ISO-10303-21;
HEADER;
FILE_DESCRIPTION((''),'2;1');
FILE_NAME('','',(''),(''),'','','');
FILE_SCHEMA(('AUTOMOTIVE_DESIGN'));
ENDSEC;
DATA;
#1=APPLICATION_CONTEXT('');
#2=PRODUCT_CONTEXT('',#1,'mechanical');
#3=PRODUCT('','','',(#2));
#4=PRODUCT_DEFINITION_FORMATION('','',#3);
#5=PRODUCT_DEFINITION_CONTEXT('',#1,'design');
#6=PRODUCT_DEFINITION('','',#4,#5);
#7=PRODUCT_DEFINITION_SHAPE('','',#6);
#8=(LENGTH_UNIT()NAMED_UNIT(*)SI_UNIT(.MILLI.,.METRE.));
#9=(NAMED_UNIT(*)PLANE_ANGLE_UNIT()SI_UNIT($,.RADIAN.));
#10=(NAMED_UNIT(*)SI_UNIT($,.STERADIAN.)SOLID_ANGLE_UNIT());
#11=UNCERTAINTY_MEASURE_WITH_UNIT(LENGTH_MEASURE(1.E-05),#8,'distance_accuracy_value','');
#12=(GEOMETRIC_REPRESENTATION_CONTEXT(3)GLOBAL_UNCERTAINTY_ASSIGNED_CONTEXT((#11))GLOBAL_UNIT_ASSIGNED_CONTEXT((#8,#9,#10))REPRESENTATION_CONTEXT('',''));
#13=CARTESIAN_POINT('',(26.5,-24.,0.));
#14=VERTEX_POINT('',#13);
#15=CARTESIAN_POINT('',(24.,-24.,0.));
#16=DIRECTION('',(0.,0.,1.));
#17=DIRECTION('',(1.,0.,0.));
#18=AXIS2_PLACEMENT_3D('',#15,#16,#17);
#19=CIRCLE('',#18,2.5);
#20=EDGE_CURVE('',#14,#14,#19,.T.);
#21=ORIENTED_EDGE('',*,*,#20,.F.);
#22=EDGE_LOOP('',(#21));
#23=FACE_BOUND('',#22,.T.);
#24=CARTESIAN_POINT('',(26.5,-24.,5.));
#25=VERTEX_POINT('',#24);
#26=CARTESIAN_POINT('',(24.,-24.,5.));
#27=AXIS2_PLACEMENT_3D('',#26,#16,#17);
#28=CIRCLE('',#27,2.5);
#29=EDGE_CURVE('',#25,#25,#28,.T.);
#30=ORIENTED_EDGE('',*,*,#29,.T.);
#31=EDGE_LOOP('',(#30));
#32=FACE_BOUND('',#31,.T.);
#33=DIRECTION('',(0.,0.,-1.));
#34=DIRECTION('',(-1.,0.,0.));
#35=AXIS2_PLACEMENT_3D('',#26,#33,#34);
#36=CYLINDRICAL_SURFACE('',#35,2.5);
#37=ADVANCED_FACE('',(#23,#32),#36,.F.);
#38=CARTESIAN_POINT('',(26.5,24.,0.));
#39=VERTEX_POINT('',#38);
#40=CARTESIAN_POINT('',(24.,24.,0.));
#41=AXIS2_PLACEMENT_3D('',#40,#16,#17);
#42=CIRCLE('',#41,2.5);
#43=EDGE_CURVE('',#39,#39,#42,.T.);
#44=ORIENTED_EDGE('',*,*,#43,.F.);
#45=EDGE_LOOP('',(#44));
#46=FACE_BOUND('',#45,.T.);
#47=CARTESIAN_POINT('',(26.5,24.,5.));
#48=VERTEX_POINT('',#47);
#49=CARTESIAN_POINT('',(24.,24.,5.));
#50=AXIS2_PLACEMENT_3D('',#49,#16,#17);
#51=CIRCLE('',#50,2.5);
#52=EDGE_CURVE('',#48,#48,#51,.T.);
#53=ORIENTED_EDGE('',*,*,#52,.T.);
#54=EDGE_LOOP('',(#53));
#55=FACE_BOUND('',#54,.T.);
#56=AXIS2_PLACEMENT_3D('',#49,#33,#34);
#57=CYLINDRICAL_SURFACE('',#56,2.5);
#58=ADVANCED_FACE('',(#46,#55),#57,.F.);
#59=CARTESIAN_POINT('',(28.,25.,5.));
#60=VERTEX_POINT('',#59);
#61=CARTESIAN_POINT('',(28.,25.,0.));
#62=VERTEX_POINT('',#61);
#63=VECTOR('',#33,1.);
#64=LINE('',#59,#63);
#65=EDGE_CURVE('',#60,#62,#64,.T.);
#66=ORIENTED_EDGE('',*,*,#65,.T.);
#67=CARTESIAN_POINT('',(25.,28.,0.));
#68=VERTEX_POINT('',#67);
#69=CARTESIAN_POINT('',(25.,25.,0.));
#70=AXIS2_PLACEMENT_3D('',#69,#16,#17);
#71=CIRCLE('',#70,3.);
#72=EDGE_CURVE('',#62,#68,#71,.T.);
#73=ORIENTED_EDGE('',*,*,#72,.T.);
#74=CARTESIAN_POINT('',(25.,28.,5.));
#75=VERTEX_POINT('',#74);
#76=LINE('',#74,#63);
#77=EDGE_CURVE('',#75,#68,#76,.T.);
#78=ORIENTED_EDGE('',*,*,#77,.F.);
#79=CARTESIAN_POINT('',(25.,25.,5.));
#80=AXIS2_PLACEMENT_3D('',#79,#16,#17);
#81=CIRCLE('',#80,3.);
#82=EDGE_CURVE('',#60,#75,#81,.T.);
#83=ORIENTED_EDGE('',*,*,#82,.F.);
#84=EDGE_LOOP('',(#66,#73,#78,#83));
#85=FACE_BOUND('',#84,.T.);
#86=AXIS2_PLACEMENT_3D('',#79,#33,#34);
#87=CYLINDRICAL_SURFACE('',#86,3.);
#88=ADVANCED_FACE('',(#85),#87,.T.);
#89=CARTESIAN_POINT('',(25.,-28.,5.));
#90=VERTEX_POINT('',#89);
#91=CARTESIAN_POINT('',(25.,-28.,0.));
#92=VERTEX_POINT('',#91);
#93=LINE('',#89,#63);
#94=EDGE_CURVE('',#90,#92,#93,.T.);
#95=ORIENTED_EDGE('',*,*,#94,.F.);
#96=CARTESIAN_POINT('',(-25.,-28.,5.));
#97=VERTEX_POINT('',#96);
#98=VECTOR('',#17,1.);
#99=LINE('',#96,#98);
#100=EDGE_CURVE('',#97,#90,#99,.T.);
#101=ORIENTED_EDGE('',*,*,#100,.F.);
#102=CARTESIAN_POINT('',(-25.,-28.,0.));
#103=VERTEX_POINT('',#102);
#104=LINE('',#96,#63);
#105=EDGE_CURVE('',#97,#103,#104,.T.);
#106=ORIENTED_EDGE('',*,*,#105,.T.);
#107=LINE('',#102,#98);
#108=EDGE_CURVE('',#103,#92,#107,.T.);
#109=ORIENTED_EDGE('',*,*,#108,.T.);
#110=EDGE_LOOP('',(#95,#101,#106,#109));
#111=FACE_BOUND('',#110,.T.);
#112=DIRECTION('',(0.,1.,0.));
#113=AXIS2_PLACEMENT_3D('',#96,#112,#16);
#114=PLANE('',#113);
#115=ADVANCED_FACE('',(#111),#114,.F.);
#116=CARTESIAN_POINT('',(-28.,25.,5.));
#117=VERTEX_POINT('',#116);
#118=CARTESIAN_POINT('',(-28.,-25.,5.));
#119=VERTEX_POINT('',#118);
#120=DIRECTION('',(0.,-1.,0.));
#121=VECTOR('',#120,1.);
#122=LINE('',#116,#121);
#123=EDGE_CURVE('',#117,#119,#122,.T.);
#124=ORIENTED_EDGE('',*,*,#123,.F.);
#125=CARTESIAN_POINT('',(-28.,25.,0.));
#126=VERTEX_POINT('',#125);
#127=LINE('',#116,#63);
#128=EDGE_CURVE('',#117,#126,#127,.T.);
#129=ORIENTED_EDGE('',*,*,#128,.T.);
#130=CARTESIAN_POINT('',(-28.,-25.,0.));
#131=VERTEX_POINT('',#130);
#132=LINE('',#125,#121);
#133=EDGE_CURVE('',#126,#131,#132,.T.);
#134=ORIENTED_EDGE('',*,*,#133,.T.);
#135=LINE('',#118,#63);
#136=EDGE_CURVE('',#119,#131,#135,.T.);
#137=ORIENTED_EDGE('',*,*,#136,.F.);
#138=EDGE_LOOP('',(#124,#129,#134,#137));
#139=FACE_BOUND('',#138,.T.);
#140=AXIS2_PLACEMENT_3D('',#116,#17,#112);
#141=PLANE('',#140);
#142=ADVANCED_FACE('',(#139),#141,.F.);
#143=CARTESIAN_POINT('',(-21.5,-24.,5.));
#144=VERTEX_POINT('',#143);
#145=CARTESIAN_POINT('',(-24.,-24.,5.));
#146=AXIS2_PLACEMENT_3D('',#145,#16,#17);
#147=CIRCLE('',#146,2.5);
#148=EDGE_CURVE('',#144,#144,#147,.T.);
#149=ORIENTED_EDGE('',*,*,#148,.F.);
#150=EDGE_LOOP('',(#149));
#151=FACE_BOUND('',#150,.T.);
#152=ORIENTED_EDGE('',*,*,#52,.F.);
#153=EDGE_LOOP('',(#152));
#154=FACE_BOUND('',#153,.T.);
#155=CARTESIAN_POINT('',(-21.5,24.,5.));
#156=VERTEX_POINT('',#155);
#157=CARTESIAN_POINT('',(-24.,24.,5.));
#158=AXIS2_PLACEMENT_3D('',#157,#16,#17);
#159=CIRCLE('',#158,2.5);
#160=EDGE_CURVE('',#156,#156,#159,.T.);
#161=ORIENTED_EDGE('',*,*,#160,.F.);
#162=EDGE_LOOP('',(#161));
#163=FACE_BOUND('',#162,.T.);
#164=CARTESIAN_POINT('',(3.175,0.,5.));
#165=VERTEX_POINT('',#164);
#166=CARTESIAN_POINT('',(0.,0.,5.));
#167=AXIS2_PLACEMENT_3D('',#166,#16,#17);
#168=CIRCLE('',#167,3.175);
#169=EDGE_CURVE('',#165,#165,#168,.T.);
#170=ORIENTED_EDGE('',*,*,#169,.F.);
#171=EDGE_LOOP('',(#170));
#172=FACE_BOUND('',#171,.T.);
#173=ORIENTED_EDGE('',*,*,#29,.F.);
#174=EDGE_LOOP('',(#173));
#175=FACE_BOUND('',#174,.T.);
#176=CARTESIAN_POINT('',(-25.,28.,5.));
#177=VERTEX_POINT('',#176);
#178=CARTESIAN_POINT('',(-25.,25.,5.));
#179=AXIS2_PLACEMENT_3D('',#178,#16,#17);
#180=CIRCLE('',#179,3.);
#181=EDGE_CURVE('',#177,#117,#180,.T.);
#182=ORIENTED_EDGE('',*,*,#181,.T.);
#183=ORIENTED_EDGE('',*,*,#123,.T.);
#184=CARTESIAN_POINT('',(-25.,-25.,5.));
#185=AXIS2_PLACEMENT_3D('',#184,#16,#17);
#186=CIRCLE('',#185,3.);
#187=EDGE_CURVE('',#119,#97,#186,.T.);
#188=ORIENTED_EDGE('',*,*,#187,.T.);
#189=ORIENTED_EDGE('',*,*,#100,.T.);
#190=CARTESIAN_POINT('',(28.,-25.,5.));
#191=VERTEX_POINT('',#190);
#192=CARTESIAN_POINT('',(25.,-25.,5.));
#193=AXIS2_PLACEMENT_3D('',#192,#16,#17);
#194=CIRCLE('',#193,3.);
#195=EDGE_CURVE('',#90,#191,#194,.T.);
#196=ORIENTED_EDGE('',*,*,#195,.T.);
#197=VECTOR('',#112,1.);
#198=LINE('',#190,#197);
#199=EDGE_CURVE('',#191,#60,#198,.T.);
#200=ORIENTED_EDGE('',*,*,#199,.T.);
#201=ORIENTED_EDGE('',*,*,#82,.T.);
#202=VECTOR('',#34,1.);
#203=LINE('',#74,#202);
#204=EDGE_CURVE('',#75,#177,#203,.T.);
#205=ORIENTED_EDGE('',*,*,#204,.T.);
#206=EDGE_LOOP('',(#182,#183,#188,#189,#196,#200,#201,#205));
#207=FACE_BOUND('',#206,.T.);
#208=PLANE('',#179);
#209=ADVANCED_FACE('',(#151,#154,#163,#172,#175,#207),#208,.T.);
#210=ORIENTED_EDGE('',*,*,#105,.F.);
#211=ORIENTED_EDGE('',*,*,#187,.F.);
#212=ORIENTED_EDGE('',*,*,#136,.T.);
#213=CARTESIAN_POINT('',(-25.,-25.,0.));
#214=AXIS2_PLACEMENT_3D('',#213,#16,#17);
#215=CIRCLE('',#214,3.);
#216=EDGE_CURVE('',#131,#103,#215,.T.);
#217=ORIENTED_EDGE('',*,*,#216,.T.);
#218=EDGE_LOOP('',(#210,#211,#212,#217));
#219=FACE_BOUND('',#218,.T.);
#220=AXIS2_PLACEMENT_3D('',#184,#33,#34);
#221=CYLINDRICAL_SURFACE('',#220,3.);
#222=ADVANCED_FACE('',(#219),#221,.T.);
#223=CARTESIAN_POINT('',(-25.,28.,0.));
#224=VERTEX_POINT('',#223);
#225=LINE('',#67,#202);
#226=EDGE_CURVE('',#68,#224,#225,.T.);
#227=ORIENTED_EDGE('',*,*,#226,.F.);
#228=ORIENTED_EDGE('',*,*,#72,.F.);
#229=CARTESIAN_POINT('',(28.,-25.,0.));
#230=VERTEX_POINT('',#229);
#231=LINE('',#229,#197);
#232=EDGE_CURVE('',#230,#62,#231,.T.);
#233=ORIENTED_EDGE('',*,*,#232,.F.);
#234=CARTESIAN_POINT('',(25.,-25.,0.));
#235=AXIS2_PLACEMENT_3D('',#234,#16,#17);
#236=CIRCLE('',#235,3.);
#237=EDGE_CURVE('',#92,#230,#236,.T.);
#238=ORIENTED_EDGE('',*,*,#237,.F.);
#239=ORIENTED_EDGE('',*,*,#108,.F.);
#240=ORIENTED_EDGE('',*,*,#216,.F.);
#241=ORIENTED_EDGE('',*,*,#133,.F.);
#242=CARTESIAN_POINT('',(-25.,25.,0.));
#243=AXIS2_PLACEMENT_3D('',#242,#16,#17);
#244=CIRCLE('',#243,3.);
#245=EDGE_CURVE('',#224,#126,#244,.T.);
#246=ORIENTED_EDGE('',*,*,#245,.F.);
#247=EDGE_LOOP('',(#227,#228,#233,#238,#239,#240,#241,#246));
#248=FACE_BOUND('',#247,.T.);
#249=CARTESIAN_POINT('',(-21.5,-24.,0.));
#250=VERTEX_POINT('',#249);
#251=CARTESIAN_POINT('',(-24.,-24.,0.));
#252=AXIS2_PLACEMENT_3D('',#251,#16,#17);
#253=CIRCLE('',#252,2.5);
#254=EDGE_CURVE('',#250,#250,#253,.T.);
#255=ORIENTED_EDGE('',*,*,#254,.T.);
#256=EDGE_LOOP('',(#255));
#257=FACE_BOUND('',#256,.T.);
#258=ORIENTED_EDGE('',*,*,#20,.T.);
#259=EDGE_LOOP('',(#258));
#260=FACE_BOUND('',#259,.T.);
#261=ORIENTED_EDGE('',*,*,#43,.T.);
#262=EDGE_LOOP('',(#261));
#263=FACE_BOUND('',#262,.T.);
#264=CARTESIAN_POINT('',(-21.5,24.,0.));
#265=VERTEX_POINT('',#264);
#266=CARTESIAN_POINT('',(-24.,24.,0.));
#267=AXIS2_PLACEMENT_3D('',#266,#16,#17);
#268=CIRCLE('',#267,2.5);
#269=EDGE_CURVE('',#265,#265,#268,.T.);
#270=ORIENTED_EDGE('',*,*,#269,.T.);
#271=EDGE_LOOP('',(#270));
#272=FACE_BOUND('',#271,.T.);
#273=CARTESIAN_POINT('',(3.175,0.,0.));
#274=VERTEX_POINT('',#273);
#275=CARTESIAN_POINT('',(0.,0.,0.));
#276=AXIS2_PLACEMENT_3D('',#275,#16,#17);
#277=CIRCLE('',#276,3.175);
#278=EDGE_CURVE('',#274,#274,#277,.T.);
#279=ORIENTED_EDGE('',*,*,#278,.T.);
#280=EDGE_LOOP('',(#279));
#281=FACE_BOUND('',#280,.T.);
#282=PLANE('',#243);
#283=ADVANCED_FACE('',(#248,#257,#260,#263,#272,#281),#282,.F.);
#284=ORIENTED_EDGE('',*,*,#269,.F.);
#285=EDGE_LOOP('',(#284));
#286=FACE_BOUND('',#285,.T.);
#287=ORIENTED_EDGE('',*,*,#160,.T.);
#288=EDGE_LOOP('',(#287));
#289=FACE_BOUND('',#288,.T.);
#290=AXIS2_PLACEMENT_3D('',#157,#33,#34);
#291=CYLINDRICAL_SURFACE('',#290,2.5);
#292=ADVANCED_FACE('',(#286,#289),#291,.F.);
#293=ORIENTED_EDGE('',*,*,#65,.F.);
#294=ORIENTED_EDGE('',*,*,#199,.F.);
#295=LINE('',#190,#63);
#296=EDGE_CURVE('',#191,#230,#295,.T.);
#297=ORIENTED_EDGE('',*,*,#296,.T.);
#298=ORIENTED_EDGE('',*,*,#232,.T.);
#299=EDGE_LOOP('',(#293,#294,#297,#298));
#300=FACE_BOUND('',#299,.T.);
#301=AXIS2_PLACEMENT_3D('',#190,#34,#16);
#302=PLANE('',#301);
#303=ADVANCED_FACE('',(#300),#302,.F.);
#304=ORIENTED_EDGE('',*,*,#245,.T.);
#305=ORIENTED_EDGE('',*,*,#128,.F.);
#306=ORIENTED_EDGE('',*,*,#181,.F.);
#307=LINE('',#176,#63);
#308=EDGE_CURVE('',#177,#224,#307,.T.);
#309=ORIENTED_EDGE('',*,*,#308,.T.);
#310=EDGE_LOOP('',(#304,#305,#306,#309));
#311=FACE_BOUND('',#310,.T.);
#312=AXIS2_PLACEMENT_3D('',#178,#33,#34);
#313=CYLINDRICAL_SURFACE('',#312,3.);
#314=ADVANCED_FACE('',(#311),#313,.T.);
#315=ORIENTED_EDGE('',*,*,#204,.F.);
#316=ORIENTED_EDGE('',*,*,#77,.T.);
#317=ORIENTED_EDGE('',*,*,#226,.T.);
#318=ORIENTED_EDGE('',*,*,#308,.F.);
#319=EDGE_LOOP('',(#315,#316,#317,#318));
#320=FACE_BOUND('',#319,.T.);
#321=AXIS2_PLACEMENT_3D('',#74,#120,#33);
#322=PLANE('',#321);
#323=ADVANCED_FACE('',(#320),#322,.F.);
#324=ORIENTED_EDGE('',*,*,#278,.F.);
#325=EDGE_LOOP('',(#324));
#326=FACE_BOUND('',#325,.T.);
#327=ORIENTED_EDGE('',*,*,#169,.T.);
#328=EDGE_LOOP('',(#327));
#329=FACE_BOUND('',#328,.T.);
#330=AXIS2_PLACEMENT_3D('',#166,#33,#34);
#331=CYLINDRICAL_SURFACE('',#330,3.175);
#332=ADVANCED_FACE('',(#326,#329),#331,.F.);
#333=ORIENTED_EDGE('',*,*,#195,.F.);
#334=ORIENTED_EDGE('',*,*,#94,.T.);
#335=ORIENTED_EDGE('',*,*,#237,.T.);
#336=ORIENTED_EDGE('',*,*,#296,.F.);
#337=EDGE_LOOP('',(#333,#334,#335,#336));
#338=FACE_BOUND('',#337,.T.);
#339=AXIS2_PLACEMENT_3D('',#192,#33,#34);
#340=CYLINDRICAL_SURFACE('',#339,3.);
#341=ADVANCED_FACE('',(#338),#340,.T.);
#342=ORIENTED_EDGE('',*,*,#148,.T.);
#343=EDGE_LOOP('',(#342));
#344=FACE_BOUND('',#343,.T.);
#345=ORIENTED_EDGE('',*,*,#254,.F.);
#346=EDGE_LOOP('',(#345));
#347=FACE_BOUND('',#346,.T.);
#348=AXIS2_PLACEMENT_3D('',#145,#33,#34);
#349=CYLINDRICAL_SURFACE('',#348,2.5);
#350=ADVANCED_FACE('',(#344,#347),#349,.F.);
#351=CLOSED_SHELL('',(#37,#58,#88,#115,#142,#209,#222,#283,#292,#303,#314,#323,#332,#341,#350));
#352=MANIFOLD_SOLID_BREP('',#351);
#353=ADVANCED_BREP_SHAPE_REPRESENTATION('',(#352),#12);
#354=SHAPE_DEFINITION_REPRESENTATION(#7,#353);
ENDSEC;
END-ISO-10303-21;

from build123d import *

# Parameters (mm, degrees)
SKETCH1_R           = 2.5
SKETCH1_R_2         = 3.175
BOSS_EXTRUDE1_DEPTH = 5


with BuildPart() as part:
    # Sketch1 → Boss-Extrude1 (new body)
    with BuildSketch(Plane.XY):
        with BuildLine():
            Line((-28, 25), (-28, -25))
            ThreePointArc((-28, -25), (-27.121320344, -27.121320344), (-25, -28))
            Line((-25, -28), (25, -28))
            ThreePointArc((25, -28), (27.121320344, -27.121320344), (28, -25))
            Line((28, -25), (28, 25))
            ThreePointArc((28, 25), (27.121320344, 27.121320344), (25, 28))
            Line((25, 28), (-25, 28))
            ThreePointArc((-25, 28), (-27.121320344, 27.121320344), (-28, 25))
        make_face()
        with Locations((-24, -24)):
            Circle(SKETCH1_R, mode=Mode.SUBTRACT)
        with Locations((24, -24)):
            Circle(SKETCH1_R, mode=Mode.SUBTRACT)
        with Locations((-24, 24)):
            Circle(SKETCH1_R, mode=Mode.SUBTRACT)
        Circle(SKETCH1_R_2, mode=Mode.SUBTRACT)
        with Locations((24, 24)):
            Circle(SKETCH1_R, mode=Mode.SUBTRACT)
    extrude(amount=BOSS_EXTRUDE1_DEPTH)


solid = part.part
